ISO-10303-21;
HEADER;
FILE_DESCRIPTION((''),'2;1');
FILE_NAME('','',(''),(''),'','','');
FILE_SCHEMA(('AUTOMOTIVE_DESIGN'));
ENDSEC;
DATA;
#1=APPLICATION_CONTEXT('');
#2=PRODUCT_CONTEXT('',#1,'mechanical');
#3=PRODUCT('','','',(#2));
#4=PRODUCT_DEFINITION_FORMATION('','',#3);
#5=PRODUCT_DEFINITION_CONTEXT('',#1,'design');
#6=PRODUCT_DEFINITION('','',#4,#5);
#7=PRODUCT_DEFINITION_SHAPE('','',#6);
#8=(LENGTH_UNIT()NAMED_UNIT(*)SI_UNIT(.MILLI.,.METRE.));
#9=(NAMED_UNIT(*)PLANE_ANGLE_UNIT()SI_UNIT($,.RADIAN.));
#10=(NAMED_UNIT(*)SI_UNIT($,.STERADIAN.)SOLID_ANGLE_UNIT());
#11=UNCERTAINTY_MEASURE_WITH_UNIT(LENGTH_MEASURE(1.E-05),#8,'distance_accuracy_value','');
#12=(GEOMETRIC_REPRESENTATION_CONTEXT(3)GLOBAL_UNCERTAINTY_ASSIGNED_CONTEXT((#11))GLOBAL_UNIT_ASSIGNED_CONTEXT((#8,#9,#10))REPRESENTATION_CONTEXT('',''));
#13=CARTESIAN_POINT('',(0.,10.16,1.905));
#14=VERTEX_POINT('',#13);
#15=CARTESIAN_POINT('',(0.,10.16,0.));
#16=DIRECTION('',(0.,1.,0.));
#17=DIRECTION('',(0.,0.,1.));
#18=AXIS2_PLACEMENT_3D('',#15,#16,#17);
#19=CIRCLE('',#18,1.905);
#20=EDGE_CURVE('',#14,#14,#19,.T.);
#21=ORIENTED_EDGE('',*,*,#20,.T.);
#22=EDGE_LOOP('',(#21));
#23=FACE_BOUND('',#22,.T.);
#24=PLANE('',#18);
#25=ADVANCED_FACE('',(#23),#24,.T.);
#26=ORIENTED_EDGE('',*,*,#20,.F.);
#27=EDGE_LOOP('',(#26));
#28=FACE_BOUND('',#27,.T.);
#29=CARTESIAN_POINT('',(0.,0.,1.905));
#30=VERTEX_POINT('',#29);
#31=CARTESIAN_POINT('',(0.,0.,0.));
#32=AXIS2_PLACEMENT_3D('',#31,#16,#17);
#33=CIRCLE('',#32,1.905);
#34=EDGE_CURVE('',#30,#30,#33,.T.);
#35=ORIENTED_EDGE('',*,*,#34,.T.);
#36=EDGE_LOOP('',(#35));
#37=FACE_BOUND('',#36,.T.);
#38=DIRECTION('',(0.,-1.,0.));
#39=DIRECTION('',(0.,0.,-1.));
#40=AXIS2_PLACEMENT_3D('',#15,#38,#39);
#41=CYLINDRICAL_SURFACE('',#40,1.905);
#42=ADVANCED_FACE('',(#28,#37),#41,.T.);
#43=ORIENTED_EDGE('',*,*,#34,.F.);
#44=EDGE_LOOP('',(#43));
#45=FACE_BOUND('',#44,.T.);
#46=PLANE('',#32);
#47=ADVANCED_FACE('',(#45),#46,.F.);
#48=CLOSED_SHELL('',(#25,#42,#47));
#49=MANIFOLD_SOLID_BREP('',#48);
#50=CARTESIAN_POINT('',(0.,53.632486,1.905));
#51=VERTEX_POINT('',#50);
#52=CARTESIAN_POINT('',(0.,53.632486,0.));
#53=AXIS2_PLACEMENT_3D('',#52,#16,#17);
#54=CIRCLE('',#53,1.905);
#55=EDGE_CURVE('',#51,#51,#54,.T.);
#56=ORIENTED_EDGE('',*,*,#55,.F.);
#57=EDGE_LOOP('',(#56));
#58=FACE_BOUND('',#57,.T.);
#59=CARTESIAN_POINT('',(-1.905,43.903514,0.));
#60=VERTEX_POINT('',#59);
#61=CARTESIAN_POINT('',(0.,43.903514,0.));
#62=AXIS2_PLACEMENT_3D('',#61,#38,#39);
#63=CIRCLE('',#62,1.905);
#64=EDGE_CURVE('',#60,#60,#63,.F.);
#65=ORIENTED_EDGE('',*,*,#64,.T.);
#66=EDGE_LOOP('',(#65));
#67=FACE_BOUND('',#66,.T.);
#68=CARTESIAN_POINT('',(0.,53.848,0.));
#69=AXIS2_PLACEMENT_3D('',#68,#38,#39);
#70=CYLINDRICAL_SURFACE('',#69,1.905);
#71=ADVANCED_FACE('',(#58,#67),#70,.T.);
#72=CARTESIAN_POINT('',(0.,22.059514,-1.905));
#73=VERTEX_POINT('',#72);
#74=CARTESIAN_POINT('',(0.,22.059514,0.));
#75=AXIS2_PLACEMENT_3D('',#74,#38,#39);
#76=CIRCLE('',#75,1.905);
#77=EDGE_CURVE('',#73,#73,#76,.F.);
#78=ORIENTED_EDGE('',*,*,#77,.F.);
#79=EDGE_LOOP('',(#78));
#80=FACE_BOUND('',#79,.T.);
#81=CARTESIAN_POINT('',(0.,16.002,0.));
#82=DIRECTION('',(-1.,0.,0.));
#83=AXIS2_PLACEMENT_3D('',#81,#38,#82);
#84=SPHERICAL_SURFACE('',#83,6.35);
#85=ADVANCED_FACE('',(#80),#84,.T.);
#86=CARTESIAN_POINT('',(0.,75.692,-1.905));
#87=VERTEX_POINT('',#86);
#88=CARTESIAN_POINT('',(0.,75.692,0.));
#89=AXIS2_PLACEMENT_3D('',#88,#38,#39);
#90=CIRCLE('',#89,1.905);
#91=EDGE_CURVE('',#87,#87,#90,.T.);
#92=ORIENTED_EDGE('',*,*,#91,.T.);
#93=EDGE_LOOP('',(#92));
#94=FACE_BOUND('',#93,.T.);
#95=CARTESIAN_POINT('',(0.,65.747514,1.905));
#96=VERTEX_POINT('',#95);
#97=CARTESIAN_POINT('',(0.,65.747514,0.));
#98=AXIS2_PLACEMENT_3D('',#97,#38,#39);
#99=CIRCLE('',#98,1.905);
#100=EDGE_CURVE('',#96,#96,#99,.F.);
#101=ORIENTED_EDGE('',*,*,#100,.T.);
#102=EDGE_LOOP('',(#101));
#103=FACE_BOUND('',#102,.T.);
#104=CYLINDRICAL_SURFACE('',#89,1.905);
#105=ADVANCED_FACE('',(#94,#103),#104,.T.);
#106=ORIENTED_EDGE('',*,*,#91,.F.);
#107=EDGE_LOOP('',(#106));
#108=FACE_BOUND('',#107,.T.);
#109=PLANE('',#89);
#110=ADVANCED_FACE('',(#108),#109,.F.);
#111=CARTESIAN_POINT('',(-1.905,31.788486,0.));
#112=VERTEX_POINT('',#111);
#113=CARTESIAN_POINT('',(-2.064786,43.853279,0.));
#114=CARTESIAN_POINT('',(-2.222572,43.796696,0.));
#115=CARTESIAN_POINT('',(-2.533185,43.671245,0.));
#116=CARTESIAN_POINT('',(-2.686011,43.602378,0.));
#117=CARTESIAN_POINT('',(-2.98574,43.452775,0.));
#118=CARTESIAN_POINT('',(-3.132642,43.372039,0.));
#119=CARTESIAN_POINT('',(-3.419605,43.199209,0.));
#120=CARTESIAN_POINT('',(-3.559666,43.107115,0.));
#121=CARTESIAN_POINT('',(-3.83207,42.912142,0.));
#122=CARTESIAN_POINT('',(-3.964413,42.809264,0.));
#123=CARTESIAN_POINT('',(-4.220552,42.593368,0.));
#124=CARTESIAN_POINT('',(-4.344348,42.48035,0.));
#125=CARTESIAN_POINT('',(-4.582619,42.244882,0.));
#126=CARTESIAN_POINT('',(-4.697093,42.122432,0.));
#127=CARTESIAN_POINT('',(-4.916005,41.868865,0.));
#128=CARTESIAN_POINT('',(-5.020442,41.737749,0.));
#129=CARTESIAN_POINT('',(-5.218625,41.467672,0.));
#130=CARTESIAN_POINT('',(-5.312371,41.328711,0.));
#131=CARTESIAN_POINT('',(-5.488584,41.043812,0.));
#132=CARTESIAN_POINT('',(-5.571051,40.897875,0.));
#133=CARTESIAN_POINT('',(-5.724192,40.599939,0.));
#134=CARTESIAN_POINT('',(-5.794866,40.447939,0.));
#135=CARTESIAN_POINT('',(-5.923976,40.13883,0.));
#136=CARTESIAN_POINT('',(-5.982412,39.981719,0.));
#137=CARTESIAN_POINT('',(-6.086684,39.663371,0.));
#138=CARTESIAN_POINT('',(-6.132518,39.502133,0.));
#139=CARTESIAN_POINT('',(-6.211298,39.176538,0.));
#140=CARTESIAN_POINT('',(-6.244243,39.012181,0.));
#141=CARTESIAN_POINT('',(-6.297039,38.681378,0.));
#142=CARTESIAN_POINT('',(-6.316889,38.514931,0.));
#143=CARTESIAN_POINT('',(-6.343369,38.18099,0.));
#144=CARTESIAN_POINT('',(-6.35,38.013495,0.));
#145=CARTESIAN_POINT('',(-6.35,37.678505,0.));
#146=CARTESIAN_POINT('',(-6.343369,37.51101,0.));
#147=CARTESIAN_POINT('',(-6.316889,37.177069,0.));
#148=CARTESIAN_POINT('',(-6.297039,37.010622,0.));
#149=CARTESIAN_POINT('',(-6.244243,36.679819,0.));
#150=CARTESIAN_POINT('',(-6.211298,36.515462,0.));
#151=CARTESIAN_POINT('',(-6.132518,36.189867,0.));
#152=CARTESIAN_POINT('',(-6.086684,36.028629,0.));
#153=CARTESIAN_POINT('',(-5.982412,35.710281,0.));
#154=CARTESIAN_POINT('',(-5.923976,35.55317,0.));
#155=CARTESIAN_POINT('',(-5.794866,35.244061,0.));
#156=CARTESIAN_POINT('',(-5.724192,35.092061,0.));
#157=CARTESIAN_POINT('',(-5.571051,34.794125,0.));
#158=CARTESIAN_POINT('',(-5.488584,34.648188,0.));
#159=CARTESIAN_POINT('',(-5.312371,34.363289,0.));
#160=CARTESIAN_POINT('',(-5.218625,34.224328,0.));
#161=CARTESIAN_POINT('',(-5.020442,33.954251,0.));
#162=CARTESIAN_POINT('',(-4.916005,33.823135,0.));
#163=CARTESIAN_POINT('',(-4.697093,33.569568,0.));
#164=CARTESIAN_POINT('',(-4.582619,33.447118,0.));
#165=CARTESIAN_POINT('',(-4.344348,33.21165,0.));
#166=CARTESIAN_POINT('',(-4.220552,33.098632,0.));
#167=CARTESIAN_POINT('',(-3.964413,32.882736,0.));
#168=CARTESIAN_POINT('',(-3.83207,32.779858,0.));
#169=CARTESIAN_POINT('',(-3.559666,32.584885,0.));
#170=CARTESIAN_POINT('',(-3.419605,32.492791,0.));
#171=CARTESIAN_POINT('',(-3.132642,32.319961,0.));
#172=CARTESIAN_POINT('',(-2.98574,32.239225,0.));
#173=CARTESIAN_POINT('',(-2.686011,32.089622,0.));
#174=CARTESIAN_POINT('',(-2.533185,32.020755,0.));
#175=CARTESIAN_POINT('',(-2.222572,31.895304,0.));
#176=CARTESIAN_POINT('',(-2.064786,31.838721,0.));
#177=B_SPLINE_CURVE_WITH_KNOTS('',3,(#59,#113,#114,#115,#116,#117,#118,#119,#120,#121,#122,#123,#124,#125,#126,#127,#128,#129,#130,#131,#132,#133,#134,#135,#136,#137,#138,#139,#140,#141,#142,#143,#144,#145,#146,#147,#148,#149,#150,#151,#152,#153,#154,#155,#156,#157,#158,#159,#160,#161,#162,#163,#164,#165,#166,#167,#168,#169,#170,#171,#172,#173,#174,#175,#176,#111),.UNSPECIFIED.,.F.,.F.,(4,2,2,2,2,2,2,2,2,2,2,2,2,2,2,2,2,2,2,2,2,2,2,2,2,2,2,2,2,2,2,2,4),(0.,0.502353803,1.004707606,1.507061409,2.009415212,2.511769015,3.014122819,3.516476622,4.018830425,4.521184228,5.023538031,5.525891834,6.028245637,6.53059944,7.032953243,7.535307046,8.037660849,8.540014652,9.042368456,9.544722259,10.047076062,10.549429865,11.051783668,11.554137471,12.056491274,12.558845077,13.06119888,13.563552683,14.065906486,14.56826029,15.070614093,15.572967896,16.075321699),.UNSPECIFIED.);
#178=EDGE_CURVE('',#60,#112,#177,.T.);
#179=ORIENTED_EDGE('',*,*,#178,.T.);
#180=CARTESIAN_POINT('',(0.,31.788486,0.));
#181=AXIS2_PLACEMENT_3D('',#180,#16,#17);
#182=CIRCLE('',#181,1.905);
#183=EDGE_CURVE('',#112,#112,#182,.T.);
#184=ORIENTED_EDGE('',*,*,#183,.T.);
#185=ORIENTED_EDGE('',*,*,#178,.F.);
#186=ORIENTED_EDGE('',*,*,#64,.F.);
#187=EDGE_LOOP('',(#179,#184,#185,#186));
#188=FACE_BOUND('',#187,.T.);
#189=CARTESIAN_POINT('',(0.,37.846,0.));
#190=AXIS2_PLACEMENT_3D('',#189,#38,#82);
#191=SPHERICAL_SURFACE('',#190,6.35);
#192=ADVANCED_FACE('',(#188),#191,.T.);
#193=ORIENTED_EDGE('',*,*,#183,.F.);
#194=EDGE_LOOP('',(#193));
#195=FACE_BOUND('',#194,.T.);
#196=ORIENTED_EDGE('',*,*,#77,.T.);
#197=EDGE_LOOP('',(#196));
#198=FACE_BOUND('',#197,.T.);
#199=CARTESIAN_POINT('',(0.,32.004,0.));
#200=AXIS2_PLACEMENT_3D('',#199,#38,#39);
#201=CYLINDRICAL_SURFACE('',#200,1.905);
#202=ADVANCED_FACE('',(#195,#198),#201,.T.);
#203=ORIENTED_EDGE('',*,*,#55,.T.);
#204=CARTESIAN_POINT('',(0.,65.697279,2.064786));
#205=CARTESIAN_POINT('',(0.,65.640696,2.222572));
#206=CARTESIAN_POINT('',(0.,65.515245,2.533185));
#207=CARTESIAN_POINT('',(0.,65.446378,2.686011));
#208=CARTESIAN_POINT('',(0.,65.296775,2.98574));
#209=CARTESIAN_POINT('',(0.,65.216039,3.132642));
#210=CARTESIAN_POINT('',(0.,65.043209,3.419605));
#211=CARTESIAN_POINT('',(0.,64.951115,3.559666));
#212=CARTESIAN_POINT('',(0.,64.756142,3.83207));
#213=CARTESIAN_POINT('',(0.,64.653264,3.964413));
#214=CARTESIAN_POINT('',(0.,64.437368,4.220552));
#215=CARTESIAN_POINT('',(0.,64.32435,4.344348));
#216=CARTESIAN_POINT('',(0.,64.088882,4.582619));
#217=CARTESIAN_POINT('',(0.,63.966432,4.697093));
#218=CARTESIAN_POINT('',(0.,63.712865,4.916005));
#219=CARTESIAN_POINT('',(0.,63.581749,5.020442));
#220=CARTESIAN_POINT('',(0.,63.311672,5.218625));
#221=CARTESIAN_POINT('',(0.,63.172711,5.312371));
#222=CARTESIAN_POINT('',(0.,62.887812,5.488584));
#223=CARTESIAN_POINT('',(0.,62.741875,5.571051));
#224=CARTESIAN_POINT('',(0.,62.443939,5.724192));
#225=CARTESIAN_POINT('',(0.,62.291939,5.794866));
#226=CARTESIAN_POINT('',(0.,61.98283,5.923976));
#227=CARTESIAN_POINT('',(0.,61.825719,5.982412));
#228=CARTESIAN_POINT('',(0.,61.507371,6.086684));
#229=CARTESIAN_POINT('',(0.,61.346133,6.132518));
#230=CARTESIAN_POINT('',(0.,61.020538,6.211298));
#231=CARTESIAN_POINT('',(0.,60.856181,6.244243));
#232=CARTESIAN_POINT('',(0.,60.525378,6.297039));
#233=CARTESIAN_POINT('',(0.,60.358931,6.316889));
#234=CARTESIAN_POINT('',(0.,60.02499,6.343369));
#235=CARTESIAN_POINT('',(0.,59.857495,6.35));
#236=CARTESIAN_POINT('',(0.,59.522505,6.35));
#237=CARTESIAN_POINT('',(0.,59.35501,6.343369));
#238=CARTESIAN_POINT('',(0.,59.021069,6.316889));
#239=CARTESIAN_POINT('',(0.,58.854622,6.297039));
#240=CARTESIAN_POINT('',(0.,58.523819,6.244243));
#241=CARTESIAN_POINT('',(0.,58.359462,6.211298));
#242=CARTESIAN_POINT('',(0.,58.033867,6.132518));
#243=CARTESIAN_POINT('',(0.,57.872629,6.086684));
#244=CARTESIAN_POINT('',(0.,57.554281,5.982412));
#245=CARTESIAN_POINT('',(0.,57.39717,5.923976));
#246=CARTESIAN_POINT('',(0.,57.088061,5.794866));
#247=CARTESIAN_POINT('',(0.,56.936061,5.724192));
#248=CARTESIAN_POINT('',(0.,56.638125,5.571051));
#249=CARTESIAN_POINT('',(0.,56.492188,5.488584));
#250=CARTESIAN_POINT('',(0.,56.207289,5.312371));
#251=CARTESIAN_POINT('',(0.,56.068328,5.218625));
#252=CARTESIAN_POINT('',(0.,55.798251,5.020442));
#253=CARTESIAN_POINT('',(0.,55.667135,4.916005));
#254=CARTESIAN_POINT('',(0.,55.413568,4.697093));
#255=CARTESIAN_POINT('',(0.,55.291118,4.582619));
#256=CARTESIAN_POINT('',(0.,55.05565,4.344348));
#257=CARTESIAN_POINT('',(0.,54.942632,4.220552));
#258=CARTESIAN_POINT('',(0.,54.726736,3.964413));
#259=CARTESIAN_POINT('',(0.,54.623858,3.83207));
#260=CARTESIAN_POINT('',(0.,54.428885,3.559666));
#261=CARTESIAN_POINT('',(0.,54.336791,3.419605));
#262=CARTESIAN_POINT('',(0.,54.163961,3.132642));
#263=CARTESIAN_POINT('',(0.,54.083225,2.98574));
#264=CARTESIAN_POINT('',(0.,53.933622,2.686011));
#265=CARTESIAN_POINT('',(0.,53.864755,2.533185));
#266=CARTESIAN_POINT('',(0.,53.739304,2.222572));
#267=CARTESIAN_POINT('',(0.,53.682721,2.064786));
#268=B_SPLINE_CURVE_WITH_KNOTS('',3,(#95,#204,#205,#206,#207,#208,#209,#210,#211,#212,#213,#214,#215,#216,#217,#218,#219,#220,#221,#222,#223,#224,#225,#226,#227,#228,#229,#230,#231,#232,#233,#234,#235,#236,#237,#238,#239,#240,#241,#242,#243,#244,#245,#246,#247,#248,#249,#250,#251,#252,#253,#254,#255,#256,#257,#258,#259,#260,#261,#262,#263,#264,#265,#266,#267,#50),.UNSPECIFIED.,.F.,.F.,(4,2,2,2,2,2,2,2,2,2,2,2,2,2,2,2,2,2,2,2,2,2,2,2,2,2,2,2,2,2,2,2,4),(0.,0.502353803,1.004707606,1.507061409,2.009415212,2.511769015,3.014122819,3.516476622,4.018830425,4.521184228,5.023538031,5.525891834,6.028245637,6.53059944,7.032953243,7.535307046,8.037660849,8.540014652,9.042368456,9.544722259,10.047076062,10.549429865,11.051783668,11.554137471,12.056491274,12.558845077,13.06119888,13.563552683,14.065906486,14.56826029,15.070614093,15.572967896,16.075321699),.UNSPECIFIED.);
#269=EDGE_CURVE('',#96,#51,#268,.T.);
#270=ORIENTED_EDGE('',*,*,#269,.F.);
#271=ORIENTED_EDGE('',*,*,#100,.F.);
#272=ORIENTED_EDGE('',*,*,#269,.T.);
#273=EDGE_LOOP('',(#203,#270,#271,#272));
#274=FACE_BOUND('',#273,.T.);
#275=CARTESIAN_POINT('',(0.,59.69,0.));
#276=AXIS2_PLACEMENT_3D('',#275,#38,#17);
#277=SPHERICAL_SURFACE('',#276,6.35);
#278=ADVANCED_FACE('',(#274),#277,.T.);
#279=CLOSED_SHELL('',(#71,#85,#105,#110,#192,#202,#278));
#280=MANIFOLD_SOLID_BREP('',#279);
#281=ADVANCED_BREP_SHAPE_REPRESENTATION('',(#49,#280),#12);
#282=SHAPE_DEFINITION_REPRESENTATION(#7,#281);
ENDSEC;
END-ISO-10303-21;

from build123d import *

# Parameters (mm, degrees)
SKETCH1_R           = 1.905
BOSS_EXTRUDE1_DEPTH = 10.16
SKETCH4_R           = 1.905
BOSS_EXTRUDE2_DEPTH = 10.16
SKETCH7_R           = 1.905
BOSS_EXTRUDE3_DEPTH = 10.16
SKETCH9_R           = 1.905
BOSS_EXTRUDE4_DEPTH = 10.16


with BuildPart() as part:
    # Sketch1 → Boss-Extrude1 (new body)
    with BuildSketch(Plane(origin=(0, 0, 0), x_dir=(1, 0, 0), z_dir=(0, 1, 0))):
        with Locations(Location((0, 0, 0), (0, 0, 270))):
            Circle(SKETCH1_R)
    extrude(amount=BOSS_EXTRUDE1_DEPTH)


with BuildPart() as body_2:
    # Sketch3 → Revolve1 (revolve)
    with BuildSketch(Plane.XY):
        with BuildLine():
            Line((0, 9.652), (0, 22.352))
            ThreePointArc((0, 22.352), (6.35, 16.002), (0, 9.652))
        make_face()
    revolve(axis=Axis((0, 9.652, 0), (0, 1, 0)))

    # Sketch4 → Boss-Extrude2 (add)
    with BuildSketch(Plane(origin=(0, 21.844, 0), x_dir=(-1, 0, 0), z_dir=(0, -1, 0))):
        with Locations(Location((0, 0, 0), (0, 0, 90))):
            Circle(SKETCH4_R)
    extrude(amount=-BOSS_EXTRUDE2_DEPTH)

    # Sketch6 → Revolve2 (revolve)
    with BuildSketch(Plane.XY):
        with BuildLine():
            Line((0, 31.496), (0, 44.196))
            ThreePointArc((0, 44.196), (6.35, 37.846), (0, 31.496))
        make_face()
    revolve(axis=Axis((0, 31.496, 0), (0, 1, 0)))

    # Sketch7 → Boss-Extrude3 (add)
    with BuildSketch(Plane(origin=(0, 43.688, 0), x_dir=(-1, 0, 0), z_dir=(0, -1, 0))):
        Circle(SKETCH7_R)
    extrude(amount=-BOSS_EXTRUDE3_DEPTH)

    # Sketch8 → Revolve3 (revolve)
    with BuildSketch(Plane(origin=(0, 0, 0), x_dir=(0, 0, -1), z_dir=(1, 0, 0))):
        with BuildLine():
            Line((0, 53.34), (0, 66.04))
            ThreePointArc((0, 66.04), (6.35, 59.69), (0, 53.34))
        make_face()
    revolve(axis=Axis((0, 53.34, 0), (0, 1, 0)))

    # Sketch9 → Boss-Extrude4 (add)
    with BuildSketch(Plane(origin=(0, 65.532, 0), x_dir=(-1, 0, 0), z_dir=(0, -1, 0))):
        Circle(SKETCH9_R)
    extrude(amount=-BOSS_EXTRUDE4_DEPTH)


solid = Compound([part.part, body_2.part])
